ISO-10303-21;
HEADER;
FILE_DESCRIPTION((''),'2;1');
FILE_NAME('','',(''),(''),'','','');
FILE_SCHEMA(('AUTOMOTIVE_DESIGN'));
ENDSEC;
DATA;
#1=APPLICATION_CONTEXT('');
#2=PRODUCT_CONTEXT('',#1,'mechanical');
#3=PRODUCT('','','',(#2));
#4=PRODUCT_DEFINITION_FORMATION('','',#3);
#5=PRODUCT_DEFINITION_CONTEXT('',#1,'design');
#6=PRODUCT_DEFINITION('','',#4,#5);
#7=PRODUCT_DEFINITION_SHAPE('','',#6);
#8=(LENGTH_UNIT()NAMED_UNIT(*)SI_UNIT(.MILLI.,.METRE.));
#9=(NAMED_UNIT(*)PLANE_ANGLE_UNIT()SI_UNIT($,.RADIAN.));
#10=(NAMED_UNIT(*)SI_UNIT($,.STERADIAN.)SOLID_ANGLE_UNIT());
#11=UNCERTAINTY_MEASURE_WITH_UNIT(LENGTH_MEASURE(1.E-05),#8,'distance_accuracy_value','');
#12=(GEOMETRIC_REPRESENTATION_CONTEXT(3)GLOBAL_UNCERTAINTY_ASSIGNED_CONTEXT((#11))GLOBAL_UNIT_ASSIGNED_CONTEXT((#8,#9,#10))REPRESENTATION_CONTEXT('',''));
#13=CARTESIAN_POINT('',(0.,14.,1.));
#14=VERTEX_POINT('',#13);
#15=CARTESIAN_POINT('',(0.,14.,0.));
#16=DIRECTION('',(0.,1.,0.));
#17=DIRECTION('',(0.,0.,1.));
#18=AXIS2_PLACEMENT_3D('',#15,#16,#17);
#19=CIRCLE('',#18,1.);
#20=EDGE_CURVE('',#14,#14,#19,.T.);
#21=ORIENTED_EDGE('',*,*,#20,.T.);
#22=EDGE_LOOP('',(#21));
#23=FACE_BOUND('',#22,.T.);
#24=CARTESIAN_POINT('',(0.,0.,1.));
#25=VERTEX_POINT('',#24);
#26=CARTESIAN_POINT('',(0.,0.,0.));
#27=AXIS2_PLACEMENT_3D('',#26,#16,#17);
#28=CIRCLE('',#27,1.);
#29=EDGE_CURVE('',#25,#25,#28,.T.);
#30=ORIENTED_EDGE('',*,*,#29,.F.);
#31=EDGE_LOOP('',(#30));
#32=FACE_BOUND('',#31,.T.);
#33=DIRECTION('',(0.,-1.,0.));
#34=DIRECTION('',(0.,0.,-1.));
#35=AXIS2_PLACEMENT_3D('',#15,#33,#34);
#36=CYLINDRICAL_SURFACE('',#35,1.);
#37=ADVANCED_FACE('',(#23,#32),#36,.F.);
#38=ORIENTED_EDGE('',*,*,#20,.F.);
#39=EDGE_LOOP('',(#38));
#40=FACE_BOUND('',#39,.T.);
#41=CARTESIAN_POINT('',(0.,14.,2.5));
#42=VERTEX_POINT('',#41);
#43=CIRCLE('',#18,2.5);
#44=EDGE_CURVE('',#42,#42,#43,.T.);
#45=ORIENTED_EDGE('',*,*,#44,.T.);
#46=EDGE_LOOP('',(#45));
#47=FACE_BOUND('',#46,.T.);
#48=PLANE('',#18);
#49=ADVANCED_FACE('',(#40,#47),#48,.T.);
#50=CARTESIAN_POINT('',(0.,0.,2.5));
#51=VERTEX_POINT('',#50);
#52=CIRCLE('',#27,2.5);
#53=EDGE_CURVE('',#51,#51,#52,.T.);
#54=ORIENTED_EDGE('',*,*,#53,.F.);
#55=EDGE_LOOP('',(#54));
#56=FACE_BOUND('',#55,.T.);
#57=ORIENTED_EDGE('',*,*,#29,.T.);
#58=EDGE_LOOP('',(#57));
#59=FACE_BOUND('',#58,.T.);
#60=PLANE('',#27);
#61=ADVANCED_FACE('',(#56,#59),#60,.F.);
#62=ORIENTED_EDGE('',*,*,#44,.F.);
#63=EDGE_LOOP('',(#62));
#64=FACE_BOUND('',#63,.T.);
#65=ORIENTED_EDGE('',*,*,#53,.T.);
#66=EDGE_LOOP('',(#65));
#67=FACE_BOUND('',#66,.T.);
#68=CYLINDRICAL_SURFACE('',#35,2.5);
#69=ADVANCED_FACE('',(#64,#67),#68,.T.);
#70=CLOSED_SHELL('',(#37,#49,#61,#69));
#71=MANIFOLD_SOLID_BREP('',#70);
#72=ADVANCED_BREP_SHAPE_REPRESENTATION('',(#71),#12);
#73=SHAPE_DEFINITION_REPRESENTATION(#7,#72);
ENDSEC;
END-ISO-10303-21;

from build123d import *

# Parameters (mm, degrees)
SKETCH1_R           = 2.5
SKETCH1_R_2         = 1
BOSS_EXTRUDE1_DEPTH = 14


with BuildPart() as part:
    # Sketch1 → Boss-Extrude1 (new body)
    with BuildSketch(Plane(origin=(0, 0, 0), x_dir=(1, 0, 0), z_dir=(0, 1, 0))):
        Circle(SKETCH1_R)
        Circle(SKETCH1_R_2, mode=Mode.SUBTRACT)
    extrude(amount=BOSS_EXTRUDE1_DEPTH)


solid = part.part
